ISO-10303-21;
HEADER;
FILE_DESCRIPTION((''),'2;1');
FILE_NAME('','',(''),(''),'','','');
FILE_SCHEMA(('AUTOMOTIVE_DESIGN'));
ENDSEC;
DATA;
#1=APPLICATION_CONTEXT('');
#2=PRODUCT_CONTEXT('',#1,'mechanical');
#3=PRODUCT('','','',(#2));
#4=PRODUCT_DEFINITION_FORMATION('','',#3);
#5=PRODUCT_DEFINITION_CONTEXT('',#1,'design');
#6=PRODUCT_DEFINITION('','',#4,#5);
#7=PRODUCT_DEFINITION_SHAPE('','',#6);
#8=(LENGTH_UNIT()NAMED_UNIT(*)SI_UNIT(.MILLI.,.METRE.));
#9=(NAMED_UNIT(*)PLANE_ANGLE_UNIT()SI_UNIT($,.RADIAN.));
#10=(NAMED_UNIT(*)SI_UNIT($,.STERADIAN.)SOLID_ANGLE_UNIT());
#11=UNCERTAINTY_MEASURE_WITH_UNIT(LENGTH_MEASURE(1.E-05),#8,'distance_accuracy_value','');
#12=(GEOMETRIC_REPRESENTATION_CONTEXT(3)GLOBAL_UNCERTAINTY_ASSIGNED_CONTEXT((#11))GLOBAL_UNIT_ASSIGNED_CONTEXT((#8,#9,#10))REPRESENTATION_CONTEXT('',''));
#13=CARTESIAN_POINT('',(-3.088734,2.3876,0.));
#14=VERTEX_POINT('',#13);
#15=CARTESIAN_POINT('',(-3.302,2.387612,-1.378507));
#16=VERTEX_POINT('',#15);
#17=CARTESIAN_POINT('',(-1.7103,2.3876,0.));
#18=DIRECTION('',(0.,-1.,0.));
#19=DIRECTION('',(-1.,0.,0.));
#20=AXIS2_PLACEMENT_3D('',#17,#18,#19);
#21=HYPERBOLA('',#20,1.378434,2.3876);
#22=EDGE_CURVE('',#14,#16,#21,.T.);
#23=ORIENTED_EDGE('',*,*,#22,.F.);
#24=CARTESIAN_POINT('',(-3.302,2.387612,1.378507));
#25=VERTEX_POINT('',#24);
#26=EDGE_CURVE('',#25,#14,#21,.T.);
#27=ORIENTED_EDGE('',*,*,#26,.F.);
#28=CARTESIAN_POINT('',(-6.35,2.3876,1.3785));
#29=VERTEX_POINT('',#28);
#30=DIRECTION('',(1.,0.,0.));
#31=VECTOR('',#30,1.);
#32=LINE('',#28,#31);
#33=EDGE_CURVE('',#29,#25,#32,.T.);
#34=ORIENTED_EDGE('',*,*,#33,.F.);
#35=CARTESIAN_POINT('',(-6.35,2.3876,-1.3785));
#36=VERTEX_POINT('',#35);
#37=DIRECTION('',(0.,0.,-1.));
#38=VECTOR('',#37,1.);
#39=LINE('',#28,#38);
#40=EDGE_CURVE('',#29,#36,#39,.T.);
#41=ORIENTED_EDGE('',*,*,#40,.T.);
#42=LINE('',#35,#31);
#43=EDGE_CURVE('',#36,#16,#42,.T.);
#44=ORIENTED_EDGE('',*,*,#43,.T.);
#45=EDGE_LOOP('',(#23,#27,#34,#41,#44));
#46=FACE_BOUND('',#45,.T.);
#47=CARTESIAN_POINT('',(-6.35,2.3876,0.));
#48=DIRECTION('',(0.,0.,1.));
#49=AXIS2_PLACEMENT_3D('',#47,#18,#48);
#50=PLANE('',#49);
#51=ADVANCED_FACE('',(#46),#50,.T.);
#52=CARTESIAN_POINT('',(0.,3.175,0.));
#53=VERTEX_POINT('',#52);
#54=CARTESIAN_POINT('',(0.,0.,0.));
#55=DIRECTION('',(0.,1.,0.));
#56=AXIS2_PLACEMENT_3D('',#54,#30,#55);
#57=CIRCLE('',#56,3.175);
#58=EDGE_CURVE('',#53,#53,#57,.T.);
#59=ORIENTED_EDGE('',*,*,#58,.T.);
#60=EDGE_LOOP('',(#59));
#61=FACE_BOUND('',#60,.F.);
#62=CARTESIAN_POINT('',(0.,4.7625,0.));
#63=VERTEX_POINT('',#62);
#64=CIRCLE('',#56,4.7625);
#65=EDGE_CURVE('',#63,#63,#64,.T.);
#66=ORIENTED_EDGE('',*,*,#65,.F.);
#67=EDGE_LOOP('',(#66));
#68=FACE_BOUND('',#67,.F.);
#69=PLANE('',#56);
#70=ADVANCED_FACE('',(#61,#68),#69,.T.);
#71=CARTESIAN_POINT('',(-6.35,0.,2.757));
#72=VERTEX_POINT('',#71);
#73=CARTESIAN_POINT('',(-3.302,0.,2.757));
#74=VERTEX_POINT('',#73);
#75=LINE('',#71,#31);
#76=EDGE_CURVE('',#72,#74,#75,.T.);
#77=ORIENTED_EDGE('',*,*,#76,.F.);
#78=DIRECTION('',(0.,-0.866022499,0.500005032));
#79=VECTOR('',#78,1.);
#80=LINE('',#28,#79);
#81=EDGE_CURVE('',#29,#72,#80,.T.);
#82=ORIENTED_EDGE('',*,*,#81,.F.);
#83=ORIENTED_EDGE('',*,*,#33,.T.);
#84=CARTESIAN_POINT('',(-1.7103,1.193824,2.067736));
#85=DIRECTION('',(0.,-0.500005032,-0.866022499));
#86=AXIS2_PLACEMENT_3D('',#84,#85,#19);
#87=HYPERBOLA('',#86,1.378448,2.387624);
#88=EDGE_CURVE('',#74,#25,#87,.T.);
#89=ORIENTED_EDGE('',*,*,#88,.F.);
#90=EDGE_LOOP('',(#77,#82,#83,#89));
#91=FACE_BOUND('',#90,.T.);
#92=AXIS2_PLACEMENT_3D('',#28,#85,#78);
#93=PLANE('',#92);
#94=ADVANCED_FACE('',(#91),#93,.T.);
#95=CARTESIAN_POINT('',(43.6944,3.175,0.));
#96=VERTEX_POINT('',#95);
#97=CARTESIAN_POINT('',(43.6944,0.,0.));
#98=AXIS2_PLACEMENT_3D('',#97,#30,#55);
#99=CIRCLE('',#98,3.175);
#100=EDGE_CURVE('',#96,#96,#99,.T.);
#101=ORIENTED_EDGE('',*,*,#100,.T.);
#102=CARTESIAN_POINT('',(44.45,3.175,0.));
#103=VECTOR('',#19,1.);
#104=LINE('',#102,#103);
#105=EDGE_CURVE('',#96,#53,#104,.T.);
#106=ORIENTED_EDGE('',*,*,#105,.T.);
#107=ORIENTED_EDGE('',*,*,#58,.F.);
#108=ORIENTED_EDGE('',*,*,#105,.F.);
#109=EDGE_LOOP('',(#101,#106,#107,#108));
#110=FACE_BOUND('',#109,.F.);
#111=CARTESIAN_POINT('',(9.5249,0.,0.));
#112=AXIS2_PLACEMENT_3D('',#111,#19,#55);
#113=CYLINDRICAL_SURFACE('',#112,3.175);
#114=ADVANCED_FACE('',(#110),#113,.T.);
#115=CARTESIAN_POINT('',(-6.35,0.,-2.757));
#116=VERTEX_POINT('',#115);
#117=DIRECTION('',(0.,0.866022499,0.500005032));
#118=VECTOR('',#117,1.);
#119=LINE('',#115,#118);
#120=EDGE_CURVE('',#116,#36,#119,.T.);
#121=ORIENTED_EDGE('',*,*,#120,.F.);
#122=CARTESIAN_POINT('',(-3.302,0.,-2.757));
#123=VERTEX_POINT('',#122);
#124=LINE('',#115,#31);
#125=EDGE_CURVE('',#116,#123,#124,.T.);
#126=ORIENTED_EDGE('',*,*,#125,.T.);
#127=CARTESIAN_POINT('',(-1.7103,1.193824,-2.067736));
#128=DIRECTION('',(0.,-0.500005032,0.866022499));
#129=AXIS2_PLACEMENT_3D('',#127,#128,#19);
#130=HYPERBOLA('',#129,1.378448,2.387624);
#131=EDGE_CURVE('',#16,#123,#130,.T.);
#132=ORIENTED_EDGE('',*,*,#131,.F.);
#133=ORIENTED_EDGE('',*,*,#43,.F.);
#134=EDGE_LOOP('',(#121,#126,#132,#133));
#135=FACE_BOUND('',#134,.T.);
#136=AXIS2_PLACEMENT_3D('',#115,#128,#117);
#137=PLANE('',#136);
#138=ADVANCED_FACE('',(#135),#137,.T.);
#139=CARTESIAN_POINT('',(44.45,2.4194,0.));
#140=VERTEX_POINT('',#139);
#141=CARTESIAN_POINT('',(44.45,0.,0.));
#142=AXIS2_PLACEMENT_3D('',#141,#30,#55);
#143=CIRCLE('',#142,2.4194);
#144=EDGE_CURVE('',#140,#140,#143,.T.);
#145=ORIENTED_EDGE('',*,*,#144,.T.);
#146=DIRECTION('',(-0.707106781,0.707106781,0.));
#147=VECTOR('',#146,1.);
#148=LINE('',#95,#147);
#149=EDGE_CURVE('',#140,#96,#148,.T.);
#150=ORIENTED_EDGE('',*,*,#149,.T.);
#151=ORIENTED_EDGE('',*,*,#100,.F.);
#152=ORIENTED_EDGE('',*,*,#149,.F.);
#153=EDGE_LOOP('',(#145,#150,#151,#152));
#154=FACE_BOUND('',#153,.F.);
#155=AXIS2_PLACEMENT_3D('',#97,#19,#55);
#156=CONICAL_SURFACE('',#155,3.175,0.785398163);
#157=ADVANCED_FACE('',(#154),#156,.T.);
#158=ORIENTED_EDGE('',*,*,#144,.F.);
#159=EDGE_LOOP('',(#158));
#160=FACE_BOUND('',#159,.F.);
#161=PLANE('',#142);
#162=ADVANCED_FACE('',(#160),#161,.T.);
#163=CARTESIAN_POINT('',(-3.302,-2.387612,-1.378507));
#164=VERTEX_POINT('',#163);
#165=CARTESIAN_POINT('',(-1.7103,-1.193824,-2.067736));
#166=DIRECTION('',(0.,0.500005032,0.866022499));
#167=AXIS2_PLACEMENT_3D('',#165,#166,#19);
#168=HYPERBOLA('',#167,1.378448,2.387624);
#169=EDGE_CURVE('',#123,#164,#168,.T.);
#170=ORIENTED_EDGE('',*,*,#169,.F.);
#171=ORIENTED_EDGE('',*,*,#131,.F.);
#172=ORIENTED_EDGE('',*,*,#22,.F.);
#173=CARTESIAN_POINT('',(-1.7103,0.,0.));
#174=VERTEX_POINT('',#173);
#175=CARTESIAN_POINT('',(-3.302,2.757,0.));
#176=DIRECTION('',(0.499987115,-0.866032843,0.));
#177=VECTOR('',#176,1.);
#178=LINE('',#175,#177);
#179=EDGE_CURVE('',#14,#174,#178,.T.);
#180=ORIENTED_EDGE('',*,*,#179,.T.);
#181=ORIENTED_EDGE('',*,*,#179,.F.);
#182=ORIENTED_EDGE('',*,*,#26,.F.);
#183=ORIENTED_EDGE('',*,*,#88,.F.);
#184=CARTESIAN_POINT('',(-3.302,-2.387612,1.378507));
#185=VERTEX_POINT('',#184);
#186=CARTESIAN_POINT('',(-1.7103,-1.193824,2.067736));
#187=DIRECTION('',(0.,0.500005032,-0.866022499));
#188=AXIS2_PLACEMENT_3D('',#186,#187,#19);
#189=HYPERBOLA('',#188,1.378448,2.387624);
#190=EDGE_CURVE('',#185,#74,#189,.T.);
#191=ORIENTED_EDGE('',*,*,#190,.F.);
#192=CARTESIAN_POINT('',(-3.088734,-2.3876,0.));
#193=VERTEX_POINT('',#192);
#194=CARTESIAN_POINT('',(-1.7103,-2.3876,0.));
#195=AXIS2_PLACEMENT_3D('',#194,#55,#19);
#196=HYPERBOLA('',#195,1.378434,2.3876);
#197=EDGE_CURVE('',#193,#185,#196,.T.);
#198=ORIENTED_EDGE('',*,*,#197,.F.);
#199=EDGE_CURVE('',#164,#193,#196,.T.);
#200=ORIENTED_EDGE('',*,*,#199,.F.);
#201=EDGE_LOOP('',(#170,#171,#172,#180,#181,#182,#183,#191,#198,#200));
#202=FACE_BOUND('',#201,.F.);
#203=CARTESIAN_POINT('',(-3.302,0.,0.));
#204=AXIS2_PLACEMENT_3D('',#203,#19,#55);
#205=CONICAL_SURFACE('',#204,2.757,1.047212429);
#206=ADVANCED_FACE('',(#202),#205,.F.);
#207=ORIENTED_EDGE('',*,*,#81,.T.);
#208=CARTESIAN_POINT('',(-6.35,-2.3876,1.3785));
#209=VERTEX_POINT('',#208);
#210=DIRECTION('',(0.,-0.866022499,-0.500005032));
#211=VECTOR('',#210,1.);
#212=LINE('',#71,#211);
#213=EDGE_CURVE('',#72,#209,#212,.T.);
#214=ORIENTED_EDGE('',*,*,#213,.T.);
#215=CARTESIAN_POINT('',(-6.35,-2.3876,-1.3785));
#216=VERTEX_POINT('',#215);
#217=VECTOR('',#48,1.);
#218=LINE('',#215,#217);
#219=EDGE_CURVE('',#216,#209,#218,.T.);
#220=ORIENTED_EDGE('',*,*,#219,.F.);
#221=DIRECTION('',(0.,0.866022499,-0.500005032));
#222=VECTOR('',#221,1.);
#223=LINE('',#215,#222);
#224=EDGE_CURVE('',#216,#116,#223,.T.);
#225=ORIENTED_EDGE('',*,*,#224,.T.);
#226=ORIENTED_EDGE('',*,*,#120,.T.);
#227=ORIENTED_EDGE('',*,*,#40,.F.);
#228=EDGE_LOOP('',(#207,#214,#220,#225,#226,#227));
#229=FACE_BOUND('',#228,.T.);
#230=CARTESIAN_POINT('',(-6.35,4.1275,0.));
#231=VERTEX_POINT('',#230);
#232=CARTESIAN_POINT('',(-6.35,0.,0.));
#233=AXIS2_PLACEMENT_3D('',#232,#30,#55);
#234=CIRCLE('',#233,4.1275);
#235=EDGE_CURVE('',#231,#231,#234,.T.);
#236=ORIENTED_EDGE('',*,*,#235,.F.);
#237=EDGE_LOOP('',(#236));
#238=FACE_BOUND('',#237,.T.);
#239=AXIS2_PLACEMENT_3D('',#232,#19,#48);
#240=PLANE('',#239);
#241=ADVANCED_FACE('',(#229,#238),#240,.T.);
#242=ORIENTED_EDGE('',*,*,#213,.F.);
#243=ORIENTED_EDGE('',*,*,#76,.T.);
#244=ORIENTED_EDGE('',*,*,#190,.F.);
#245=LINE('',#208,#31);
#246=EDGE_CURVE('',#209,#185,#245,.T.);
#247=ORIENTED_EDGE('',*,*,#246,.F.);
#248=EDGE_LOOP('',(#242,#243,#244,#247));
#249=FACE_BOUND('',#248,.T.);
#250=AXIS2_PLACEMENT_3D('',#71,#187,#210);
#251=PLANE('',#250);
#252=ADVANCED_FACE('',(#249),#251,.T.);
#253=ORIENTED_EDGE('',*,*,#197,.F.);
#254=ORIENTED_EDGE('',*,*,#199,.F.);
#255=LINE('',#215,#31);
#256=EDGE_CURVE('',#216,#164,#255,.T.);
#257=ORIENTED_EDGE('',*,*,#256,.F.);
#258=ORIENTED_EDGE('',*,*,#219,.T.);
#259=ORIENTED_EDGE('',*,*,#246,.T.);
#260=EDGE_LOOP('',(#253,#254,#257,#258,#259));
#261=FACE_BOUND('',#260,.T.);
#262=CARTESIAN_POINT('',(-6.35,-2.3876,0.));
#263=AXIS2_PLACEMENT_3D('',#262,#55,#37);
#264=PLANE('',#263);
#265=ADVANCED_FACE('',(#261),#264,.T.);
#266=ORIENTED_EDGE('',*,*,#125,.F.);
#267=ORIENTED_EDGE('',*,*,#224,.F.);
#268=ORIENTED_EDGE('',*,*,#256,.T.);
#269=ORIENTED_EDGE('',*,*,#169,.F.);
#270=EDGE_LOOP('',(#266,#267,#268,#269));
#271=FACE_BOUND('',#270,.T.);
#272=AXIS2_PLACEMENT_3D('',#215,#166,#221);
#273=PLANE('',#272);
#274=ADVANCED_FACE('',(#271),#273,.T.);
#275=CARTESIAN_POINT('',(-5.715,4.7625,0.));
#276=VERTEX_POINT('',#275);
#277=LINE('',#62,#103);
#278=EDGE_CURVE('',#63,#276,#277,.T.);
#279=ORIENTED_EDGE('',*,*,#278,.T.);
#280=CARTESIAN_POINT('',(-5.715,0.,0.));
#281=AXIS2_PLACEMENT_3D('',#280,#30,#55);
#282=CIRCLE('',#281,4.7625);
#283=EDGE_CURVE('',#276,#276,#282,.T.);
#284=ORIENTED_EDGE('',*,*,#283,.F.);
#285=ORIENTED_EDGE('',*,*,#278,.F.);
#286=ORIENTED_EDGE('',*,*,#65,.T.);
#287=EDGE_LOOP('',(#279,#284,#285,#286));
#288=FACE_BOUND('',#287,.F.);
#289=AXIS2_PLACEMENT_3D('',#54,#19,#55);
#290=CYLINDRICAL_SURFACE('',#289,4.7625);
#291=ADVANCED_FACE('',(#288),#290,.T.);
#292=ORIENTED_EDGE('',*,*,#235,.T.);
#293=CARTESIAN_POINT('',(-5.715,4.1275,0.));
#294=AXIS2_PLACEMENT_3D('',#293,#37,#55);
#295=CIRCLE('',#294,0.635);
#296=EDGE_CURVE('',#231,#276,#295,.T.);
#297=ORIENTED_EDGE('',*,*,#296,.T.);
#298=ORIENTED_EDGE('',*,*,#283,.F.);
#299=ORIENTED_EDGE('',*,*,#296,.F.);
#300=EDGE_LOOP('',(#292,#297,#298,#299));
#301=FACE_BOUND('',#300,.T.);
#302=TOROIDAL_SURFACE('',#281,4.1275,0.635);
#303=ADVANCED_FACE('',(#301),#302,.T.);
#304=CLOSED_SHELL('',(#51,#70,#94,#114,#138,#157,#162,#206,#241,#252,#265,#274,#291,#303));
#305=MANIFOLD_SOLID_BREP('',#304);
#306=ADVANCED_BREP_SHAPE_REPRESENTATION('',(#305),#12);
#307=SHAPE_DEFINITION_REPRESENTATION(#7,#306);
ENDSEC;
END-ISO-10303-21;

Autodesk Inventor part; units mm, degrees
ref_plane "YZ Plane" through (0, 0, 0) normal (1, 0, 0) x (0, 1, 0)
ref_plane "XZ Plane" through (0, 0, 0) normal (0, 1, 0) x (-1, 0, 0)
sketch "Sketch1" plane through (0, 0, 0) normal (0, 0, 1) x (1, 0, 0)
  line L0 (-1.7103, 0) -> (44.45, 0)
  line L1 (44.45, 0) -> (44.45, 3.175)
  line L2 (44.45, 3.175) -> (12.7, 3.175)
  line L3 (12.7, 3.175) -> (9.5249, 3.175)
  line L4 (9.5249, 3.175) -> (0, 3.175)
  line L5 (0, 3.175) -> (0, 4.7625)
  line L6 (0, 4.7625) -> (-6.35, 4.7625)
  line L7 (-6.35, 4.7625) -> (-6.35, 2.757)
  line L8 (-6.35, 2.757) -> (-3.302, 2.757)
  line L9 (-3.302, 2.757) -> (-1.7103, 0)
  line L10 (-16.51, 0) -> (54.61, 0) projected
  line L11 (0, -0.9525) -> (0, 5.715) projected
  line L12 (12.7, 3.175) -> (0, 3.175) construction
  dimension "d1" = 31.75
  dimension "d2" = 3.1751
  dimension "d3" = 6.35
  dimension "d4" = 3.048
  dimension "d5" = 60
  dimension "d6" = 6.35
  dimension "d7" = 6.35
  dimension "d8" = 5.5139
  dimension "d9" = 9.525
  dimension "d26" = 44.45
revolve "Body" add sketch "Sketch1" angle 360 about axis through (-1.7103, 0, 0) along (1, 0, 0)
sketch "Sketch2" plane through (-6.35, 0, 0) normal (-1, 0, 0) x (0, 0, 1)
  circle A0 centre (0, 0) radius 2.757 projected
  line L0 (0, -6.6675) -> (0, 6.6675) projected
  line L1 (-6.6675, 0) -> (6.6675, 0) projected
  line L2 (2.757, 0) -> (1.3785, -2.3876)
  line L3 (1.3785, -2.3876) -> (-1.3785, -2.3876)
  line L4 (-1.3785, -2.3876) -> (-2.757, 0)
  line L5 (-2.757, 0) -> (-1.3785, 2.3876)
  line L6 (-1.3785, 2.3876) -> (1.3785, 2.3876)
  line L7 (1.3785, 2.3876) -> (2.757, 0)
extrude "Slot" add sketch "Sketch2" against normal up to next contours L7 A0 | A0 L2 | L6 L0 A0 | A0 L0 L3 | L0 L6 A0 | A0 L3 L0 | L4 A0 | A0 L5
fillet "Fillet1" radius 0.635 1 edges at (-6.35, -4.7625, 0)
thread "Thread" size "1/4-20 UNC" class "2A" standard "ANSI Unified Screw Threads" length 31.75
chamfer "Chamfer1" distance 0.7556 distance2 0.7556 1 edges at (44.45, -3.175, 0) measured on face at (44.45, 0.6012, -0.3644)
ref_plane "Work Plane1" through (29, 0, 0) normal (0, -1, 0) x (1, 0, 0)
equation "\"d17\" = RR"
equation "\"d13\" = GEL"
equation "\"d15\" = -0.5 * SPD + 0.5 * GD"
equation "\"d16\" = GUL"
equation "\"d1\" = GEL"
equation "\"d3\" = KOH"
equation "\"d4\" = INTI"
equation "\"d6\" = GD"
equation "\"d7\" = BDM"
equation "\"d8\" = 1.1547 * SW"
equation "\"d9\" = KOD"
equation "\"d26\" = NLG"
equation "\"GD\" = 6.35"
equation "\"NLG\" = 44.45"
equation "\"GEL\" = 31.75"
equation "\"KOD\" = 9.525"
equation "\"KOH\" = 6.35"
equation "\"INTI\" = 3.048"
equation "\"GAL\" = 3.175"
equation "\"GUL\" = 0.75565"
equation "\"BDM\" = 6.35"
equation "\"SW\" = 4.7752"
equation "\"RR\" = 0.635"
equation "\"SPD\" = 4.8387"
equation "\"R\" = 0.1778"
equation "\"PHH\" = 0.2032"
equation "\"GD1\" = SPD"
equation "\"THREADDIA\" = 6.35"
equation "\"FAWI\" = 45deg"
equation "\"KOH1\" = 5.715"
equation "\"NND\" = 6.35"
equation "\"TOA\" = 30deg"
equation "\"E0\" = 1.155 * SW"
properties part number "am-1058" material "Steel"
